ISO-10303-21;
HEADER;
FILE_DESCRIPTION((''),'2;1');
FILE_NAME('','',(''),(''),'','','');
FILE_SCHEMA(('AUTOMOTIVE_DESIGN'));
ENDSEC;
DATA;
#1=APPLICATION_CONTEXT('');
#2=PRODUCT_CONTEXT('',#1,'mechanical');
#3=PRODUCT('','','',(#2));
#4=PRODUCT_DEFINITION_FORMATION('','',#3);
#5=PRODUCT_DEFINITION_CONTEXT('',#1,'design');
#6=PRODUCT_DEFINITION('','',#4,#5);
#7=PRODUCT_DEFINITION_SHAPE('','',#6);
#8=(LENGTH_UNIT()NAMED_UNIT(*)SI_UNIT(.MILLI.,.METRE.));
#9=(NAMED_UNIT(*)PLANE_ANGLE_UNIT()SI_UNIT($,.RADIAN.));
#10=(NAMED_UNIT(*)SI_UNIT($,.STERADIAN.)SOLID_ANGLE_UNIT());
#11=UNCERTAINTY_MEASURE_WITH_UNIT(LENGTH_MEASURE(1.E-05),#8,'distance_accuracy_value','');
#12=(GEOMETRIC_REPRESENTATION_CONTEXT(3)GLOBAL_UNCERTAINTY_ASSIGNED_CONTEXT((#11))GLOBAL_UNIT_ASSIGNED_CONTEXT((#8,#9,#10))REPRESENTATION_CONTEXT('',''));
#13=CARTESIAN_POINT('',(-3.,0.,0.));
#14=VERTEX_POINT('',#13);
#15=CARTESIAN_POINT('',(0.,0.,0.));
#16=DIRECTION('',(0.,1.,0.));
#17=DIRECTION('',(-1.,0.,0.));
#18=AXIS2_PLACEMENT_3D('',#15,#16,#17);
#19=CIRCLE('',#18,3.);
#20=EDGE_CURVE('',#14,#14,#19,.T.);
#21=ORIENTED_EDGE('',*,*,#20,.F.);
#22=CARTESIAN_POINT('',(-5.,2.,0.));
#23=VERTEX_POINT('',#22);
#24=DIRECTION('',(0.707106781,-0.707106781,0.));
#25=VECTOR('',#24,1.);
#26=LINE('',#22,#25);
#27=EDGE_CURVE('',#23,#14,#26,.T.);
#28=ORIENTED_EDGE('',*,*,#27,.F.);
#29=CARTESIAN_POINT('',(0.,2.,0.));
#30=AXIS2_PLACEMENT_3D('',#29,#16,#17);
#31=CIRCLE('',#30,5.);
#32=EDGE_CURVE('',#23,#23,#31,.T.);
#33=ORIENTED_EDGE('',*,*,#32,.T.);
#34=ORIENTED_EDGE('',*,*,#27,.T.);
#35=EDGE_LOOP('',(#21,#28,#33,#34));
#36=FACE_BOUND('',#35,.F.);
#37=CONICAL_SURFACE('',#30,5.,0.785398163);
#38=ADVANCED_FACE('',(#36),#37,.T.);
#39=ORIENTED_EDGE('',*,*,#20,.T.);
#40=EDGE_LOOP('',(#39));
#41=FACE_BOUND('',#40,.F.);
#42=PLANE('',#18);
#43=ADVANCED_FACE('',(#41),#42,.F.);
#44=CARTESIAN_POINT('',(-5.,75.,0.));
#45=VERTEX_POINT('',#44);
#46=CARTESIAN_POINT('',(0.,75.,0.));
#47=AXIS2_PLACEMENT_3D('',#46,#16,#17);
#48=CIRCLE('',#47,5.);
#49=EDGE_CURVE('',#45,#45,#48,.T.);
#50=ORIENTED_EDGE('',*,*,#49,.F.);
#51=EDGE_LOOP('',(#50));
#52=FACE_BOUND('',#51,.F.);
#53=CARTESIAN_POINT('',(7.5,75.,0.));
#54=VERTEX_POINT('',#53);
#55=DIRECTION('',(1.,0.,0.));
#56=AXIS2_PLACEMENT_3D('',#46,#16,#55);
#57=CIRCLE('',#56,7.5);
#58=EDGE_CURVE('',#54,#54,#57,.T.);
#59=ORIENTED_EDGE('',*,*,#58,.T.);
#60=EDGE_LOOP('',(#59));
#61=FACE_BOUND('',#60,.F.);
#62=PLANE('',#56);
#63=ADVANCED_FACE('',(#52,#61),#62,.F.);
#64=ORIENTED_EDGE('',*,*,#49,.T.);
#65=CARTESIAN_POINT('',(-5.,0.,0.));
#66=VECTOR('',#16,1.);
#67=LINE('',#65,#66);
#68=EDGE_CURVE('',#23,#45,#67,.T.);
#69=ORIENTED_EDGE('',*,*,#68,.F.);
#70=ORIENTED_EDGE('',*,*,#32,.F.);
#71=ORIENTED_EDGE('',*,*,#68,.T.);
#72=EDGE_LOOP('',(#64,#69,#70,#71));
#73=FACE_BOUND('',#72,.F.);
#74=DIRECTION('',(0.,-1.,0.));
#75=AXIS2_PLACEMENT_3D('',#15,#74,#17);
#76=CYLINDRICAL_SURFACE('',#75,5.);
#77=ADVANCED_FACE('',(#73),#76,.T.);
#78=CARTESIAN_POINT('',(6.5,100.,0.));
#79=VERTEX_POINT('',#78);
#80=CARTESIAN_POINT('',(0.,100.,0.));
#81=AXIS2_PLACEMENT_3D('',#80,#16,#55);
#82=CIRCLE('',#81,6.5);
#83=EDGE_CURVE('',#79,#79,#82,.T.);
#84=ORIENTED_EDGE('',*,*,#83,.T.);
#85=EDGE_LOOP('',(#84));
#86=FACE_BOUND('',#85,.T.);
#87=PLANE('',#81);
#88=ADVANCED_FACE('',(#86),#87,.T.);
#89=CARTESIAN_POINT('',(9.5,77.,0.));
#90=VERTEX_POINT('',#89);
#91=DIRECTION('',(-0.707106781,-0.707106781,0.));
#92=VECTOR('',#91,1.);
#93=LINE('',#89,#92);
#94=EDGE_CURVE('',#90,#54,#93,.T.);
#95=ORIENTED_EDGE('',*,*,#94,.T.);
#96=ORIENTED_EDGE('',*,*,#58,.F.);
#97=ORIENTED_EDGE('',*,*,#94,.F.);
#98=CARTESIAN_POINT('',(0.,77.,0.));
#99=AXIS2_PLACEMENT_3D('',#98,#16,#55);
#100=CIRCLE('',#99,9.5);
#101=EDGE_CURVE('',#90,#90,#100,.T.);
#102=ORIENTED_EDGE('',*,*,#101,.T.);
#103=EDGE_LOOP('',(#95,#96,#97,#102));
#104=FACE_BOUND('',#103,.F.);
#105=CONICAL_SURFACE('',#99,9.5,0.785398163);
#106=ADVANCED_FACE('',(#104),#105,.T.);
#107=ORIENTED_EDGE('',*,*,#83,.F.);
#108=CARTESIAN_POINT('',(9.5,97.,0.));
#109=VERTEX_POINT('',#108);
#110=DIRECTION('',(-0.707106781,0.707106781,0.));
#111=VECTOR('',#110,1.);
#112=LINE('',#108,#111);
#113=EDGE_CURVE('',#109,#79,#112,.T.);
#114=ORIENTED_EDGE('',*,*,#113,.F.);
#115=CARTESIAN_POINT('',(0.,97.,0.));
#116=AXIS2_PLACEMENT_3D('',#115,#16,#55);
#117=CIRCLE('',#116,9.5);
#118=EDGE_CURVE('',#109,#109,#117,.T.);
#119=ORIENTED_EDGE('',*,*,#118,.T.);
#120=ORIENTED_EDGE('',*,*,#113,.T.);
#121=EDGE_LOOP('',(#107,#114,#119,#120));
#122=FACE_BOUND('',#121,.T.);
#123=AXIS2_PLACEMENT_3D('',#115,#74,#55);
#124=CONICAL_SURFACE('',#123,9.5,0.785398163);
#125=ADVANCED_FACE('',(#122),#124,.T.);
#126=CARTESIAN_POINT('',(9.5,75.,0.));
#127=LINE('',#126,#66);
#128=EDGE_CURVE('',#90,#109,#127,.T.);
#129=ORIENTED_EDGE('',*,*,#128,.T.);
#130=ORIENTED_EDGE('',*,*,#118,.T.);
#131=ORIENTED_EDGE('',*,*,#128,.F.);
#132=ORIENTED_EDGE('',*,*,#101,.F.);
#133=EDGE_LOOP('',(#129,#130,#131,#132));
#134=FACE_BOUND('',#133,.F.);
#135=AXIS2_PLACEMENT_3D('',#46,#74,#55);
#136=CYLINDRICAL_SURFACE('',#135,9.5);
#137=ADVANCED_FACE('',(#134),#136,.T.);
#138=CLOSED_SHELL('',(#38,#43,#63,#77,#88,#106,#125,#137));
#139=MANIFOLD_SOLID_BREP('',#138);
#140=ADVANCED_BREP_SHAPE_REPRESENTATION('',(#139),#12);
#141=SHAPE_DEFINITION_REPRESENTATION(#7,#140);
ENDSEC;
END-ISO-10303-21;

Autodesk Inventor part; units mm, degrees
ref_plane "YZ Plane" through (0, 0, 0) normal (1, 0, 0) x (0, 1, 0)
ref_plane "XZ Plane" through (0, 0, 0) normal (0, 1, 0) x (-1, 0, 0)
ref_plane "XY Plane" through (0, 0, 0) normal (0, 0, 1) x (1, 0, 0)
sketch "Sketch2" plane through (0, 0, 0) normal (0, 1, 0) x (-1, 0, 0)
  circle A0 centre (0, 0) radius 5
  dimension "d7" = 10
extrude "Extrusion1" add sketch "Sketch2" along normal blind 75
sketch "Sketch3" plane through (0, 75, 0) normal (0, 1, 0) x (1, 0, 0)
  circle A0 centre (0, 0) radius 9.5
  dimension "d10" = 19
extrude "Extrusion2" add sketch "Sketch3" along normal blind 25
sketch "Sketch4" plane through (0, 0, 0) normal (1, 0, 0) x (0, 1, 0)
  point P0 (0, 0)
chamfer "Chamfer1" distance 2 angle 45 1 edges at (5, 0, 0)
chamfer "Chamfer2" distance 3 angle 45 1 edges at (-9.5, 100, 0)
chamfer "Chamfer3" distance 2 angle 45 1 edges at (-9.5, 75, 0)
equation "\"BendRadius\" = Thickness"
equation "\"BendReliefWidth\" = Thickness"
equation "\"BendReliefDepth\" = 0.5 * Thickness"
equation "\"CornerReliefSize\" = 4 * Thickness"
equation "\"MinimumRemnant\" = 2 * Thickness"
equation "\"TransitionRadius\" = BendRadius"
equation "\"JacobiRadiusSize\" = BendRadius"
equation "\"GapSize\" = Thickness"
equation "\"Thickness\" = 0.5"
properties part number "BOLT" material "Stainless Steel"
